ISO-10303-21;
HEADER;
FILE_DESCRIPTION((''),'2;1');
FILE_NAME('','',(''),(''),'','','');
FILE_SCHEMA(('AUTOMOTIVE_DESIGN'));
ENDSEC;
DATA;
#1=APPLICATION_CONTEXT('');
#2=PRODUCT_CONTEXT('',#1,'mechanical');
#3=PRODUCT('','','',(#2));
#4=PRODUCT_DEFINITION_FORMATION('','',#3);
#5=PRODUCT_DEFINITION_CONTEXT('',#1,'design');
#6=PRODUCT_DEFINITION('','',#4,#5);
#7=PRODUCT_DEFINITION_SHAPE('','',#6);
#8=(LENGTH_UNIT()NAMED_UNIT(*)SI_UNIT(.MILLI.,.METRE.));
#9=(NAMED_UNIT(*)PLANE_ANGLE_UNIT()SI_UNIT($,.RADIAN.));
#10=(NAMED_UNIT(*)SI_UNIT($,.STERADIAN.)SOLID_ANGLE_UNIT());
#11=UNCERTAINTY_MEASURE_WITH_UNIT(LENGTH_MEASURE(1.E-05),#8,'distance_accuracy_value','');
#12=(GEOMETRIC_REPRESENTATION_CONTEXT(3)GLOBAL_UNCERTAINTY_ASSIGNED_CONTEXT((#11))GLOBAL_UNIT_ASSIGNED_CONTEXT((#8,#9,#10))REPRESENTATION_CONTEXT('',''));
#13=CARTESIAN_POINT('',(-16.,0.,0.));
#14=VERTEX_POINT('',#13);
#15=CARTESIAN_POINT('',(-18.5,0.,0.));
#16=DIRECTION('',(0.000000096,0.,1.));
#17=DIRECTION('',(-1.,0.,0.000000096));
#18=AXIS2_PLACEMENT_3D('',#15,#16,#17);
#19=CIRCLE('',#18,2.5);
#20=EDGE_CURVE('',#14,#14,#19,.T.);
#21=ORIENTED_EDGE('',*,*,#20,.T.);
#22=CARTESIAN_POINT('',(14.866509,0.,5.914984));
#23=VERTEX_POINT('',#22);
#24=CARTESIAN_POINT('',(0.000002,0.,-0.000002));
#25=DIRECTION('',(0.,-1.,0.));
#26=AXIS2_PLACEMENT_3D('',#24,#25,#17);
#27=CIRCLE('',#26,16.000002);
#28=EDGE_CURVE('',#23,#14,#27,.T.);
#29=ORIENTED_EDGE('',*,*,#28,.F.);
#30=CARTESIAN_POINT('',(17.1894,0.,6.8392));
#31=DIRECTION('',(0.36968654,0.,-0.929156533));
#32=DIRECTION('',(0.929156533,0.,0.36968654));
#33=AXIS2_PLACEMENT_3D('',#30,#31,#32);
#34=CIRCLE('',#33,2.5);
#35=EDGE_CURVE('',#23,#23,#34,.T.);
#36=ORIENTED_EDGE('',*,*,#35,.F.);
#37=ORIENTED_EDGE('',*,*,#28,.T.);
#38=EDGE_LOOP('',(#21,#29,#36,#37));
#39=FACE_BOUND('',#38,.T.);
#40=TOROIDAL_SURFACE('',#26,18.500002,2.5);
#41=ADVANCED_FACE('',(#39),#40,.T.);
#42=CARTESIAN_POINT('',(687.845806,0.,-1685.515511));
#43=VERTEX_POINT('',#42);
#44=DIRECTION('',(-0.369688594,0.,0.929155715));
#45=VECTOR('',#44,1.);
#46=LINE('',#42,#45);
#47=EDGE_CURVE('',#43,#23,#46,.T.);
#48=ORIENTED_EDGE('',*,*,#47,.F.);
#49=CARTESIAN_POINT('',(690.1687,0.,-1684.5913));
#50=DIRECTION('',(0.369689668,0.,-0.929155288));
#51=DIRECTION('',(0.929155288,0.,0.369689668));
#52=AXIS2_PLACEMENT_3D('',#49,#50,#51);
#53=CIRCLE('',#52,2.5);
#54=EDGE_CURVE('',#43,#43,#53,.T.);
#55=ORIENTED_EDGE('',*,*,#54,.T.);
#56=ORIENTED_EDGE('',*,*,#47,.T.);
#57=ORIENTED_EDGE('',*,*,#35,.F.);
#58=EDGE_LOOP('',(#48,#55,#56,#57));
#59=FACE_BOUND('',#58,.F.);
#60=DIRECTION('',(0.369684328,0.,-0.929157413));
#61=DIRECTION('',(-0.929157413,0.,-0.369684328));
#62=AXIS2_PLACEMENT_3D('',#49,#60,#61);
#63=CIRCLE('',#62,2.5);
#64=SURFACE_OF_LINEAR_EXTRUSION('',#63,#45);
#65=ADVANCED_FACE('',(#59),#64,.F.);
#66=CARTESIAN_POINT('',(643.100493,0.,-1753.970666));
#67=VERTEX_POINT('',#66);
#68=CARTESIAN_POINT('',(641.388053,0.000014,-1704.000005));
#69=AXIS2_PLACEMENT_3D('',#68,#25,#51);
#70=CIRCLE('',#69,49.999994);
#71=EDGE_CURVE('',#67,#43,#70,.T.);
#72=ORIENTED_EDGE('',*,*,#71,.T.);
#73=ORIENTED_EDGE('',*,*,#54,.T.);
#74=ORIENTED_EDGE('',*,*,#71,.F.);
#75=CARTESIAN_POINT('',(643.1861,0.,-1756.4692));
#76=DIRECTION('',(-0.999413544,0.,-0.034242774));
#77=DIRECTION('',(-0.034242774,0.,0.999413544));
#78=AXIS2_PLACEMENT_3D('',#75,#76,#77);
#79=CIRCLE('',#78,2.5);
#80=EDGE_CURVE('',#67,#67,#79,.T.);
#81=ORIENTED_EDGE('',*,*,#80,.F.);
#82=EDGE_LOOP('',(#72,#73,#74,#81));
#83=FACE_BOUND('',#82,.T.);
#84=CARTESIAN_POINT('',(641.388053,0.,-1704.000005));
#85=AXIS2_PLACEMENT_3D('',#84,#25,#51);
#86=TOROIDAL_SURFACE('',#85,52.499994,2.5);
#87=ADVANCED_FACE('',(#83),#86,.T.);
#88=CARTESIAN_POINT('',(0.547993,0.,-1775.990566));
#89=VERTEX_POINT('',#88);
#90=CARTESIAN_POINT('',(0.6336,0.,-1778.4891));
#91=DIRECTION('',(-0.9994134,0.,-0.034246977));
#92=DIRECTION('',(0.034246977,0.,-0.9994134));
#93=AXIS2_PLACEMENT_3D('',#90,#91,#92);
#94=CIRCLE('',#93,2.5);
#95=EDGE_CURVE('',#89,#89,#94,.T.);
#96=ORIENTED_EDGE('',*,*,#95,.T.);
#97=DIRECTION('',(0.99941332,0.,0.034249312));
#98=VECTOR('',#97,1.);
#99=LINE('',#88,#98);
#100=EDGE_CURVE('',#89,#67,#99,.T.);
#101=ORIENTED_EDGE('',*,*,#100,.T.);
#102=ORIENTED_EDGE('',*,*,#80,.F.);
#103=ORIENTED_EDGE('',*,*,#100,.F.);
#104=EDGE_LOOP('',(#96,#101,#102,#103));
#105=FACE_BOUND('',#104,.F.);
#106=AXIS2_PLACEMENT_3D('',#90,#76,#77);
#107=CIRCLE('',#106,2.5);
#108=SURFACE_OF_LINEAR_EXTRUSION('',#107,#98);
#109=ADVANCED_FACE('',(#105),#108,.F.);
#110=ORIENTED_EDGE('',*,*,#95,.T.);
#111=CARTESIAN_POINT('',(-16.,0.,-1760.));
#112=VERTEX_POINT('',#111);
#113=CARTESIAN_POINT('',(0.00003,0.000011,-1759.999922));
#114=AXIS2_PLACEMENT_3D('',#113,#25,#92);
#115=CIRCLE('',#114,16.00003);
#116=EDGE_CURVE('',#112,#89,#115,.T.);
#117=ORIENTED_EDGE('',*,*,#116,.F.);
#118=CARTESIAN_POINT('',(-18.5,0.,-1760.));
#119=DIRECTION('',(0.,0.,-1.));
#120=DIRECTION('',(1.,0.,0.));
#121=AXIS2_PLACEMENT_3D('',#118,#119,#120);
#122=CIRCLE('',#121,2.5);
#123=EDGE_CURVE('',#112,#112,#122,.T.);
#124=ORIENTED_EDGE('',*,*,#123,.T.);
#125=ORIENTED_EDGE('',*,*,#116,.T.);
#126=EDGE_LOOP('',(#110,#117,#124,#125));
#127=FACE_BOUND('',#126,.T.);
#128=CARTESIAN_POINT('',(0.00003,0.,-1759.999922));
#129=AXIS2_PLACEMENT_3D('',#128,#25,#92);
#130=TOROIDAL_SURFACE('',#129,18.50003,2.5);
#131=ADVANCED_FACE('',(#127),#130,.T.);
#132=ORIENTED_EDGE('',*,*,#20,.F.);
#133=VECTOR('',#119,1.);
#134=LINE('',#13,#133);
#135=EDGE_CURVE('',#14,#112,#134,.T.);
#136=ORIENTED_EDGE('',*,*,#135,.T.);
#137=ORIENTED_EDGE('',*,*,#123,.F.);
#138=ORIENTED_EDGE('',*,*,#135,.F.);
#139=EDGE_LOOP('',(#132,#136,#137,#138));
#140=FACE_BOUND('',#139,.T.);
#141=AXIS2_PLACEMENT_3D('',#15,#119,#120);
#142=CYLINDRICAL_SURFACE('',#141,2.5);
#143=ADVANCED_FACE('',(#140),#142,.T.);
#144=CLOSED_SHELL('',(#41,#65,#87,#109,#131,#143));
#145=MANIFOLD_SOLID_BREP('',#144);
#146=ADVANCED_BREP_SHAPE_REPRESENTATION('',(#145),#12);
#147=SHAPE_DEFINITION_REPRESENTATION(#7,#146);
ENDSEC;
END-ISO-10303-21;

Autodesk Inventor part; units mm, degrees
ref_plane "YZ Plane" through (0, 0, 0) normal (1, 0, 0) x (0, 1, 0)
ref_plane "XZ Plane" through (0, 0, 0) normal (0, 1, 0) x (-1, 0, 0)
ref_plane "XY Plane" through (0, 0, 0) normal (0, 0, 1) x (1, 0, 0)
sketch "Sketch2" plane through (0, 0, 0) normal (0, 1, 0) x (-1, 0, 0)
  arc A0 (18.5, 0) -> (-17.1894, 6.8392) centre (0, 0) ccw
  arc A1 (-0.6336, -1778.4891) -> (18.5, -1760) centre (0, -1760) ccw
  arc A2 (-690.1687, -1684.5913) -> (-643.1861, -1756.4692) centre (-641.388, -1704) ccw
  line L0 (0, 0) -> (0, -1760)
  line L1 (18.5, 0) -> (18.5, -1760)
  line L2 (-690.1687, -1684.5913) -> (-17.1894, 6.8392)
  line L3 (-0.6336, -1778.4891) -> (-643.1861, -1756.4692)
  dimension "d22" = 37
  dimension "d23" = 37
  dimension "d24" = 105
  dimension "d25" = 56
  dimension "d26" = 1760
  dimension "d27" = 641.388
sketch "Sketch3" plane through (0, 0, 0) normal (0, 0, 1) x (1, 0, 0)
  circle A0 centre (-18.5, 0) radius 2.5
  point P0 (0, 0)
  dimension "d28" = 5
sweep "Sweep1" add profiles "Sketch3" path "Sketch2" path curves L1 A1 L3 A2 L2 A0
properties part number "Dây inox" material "Steel"
